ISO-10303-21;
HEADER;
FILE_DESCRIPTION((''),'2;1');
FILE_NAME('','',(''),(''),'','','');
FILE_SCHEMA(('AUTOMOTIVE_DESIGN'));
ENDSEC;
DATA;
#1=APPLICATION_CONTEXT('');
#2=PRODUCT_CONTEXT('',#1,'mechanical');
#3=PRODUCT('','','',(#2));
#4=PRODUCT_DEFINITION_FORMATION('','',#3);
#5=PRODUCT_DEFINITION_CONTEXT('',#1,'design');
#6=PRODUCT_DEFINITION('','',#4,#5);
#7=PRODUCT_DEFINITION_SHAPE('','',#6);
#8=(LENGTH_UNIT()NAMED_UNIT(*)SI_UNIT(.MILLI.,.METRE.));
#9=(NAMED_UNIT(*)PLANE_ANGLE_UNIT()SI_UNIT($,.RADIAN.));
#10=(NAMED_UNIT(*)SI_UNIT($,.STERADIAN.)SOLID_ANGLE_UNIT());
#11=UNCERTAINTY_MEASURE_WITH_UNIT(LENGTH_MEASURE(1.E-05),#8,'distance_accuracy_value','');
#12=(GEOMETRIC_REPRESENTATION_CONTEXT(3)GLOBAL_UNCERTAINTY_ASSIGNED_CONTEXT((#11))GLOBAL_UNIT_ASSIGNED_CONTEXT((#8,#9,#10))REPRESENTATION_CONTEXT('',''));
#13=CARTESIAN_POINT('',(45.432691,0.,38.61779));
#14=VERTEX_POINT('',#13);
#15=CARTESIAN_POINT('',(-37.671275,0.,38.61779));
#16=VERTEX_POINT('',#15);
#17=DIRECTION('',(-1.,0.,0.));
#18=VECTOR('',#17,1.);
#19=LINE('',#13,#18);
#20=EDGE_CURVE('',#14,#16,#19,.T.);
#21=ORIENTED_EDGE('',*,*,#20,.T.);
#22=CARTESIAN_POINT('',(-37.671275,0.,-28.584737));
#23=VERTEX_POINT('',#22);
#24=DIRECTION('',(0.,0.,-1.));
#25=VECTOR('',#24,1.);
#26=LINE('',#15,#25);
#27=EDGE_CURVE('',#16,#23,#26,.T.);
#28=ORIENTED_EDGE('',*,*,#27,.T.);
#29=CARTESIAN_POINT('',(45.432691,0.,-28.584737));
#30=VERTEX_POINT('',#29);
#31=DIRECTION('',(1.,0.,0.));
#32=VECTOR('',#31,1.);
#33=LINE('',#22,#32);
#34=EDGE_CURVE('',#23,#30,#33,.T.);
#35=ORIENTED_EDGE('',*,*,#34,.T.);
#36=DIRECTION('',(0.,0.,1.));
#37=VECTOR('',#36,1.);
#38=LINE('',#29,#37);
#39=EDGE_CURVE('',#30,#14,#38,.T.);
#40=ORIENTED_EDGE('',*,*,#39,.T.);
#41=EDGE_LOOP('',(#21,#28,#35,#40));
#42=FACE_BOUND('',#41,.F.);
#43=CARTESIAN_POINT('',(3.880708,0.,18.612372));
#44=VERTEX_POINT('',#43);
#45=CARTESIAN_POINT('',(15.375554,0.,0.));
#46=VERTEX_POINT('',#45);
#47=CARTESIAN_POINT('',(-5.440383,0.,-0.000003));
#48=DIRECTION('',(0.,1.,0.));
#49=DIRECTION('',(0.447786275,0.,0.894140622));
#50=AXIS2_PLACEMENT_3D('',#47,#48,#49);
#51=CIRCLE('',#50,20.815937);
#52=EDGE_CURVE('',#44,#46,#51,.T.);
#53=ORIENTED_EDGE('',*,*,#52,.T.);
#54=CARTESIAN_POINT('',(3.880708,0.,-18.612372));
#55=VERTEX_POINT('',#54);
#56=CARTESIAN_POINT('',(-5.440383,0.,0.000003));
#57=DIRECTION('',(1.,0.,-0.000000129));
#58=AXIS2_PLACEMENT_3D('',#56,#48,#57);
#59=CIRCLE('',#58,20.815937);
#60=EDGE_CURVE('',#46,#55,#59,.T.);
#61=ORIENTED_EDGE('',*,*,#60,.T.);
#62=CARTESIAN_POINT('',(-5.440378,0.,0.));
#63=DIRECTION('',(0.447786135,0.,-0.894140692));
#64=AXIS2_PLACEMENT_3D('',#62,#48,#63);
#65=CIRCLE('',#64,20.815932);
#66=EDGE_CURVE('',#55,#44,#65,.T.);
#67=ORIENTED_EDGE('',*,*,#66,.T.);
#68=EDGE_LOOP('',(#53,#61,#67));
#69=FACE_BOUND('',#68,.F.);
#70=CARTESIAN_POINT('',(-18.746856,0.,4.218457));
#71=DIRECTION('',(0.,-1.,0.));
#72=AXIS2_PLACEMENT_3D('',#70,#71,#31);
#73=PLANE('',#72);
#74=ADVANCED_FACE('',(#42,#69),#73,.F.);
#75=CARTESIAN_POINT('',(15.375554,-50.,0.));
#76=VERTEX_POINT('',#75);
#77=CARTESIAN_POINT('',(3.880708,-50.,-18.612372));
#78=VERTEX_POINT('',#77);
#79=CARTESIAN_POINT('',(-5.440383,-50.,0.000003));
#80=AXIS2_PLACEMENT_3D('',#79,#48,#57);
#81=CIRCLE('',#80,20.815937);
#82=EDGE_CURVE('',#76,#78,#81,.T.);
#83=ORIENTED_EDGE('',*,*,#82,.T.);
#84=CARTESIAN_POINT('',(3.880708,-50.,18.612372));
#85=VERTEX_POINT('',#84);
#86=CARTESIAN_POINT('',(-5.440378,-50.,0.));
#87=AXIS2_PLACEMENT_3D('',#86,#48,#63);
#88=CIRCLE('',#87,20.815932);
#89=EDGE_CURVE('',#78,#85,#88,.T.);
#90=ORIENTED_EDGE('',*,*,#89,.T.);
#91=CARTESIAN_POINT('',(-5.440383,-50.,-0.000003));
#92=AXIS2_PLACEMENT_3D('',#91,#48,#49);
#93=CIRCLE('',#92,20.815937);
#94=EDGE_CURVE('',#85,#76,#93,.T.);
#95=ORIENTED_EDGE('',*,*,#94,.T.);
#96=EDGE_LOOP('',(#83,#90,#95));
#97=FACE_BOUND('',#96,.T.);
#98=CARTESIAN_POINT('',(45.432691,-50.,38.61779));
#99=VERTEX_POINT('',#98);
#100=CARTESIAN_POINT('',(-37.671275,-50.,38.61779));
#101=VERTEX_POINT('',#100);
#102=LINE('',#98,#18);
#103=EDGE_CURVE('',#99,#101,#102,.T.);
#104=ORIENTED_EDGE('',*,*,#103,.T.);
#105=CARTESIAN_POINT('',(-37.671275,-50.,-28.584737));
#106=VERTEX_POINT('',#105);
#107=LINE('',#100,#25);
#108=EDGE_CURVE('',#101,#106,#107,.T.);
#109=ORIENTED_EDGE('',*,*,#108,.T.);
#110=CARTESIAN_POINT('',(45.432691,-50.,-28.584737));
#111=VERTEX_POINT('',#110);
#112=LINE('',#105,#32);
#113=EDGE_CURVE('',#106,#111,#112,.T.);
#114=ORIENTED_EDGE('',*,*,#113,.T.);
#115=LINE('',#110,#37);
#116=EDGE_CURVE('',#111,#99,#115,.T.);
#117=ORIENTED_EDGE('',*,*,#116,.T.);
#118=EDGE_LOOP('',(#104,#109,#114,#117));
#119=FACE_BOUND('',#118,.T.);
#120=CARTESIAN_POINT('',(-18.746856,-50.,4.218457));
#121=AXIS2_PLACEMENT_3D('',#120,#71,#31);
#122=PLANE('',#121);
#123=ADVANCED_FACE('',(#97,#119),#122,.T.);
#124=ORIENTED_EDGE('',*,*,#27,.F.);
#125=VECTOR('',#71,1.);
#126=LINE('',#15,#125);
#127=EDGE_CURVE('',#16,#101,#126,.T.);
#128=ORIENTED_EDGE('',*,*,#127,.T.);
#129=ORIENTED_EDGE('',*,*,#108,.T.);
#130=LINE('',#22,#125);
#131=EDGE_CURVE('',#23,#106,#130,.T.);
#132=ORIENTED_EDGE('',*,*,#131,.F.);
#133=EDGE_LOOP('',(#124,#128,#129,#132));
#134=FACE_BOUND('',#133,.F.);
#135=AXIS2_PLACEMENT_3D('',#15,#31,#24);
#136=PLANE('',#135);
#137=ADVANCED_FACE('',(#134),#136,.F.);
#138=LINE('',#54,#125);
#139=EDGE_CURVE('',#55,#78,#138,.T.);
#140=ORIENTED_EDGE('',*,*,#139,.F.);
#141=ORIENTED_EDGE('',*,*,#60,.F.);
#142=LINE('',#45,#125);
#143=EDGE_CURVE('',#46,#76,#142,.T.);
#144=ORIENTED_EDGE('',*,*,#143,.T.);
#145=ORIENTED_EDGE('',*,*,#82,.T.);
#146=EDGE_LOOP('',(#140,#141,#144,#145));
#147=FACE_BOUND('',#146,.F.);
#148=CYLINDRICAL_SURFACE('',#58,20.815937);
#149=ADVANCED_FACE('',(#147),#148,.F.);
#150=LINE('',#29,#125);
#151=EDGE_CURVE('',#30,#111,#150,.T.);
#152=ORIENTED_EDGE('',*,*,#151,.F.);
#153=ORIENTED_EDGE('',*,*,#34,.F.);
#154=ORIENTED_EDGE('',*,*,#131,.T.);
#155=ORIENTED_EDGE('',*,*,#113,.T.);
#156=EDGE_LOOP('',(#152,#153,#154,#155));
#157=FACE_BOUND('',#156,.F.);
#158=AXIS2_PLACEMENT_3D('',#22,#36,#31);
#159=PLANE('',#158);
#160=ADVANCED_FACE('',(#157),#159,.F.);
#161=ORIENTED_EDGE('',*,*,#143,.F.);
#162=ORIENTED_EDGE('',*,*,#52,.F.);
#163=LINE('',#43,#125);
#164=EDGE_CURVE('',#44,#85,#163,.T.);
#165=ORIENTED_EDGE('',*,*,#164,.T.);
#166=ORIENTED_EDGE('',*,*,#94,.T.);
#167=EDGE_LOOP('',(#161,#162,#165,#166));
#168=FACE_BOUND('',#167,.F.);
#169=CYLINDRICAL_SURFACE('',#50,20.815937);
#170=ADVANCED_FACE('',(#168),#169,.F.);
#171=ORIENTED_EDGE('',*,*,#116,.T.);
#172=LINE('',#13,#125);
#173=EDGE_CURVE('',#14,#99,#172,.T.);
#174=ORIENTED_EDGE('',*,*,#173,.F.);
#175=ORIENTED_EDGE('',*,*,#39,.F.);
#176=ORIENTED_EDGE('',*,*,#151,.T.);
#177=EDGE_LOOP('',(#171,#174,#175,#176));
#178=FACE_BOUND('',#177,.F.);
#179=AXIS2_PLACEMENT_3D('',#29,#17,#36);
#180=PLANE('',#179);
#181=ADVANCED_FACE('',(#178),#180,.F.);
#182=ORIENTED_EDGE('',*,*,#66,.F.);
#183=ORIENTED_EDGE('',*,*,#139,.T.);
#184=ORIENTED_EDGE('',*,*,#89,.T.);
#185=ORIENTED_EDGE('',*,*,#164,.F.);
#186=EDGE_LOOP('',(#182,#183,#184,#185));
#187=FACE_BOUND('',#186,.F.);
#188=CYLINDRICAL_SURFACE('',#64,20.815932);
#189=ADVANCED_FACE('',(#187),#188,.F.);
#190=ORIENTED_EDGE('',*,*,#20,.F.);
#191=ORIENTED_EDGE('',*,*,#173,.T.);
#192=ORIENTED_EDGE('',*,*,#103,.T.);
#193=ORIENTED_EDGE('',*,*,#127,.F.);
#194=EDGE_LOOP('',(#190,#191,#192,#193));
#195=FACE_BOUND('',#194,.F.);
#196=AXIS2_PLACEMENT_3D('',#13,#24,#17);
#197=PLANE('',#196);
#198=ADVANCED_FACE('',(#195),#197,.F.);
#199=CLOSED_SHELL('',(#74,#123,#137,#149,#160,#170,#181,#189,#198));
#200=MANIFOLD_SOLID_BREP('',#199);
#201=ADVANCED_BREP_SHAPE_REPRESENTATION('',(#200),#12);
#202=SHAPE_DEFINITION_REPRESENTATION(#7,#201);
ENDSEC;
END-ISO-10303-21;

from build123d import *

# Parameters (mm, degrees)
F1_DEPTH = 50


with BuildPart() as f1:
    # F0 (on Front) → F1 (new body)
    with BuildSketch(Plane.XZ):
        with BuildLine():
            Line((3.880708, 38.61779), (-37.671275, 38.61779))
            Line((-37.671275, 38.61779), (-37.671275, -28.584737))
            Line((-37.671275, -28.584737), (3.880708, -28.584737))
            Line((3.880708, -28.584737), (3.880708, -18.612372))
            ThreePointArc((3.880708, -18.612372), (-26.25631, 0), (3.880708, 18.612372))
            Line((3.880708, 18.612372), (3.880708, 38.61779))
        make_face()
        with BuildLine():
            Line((45.432691, 38.61779), (3.880708, 38.61779))
            Line((3.880708, 38.61779), (3.880708, 18.612372))
            ThreePointArc((3.880708, 18.612372), (12.270213, 10.937914), (15.375554, 0))
            ThreePointArc((15.375554, 0), (12.270213, -10.937914), (3.880708, -18.612372))
            Line((3.880708, -18.612372), (3.880708, -28.584737))
            Line((3.880708, -28.584737), (45.432691, -28.584737))
            Line((45.432691, -28.584737), (45.432691, 38.61779))
        make_face()
    extrude(amount=F1_DEPTH)


solid = f1.part
